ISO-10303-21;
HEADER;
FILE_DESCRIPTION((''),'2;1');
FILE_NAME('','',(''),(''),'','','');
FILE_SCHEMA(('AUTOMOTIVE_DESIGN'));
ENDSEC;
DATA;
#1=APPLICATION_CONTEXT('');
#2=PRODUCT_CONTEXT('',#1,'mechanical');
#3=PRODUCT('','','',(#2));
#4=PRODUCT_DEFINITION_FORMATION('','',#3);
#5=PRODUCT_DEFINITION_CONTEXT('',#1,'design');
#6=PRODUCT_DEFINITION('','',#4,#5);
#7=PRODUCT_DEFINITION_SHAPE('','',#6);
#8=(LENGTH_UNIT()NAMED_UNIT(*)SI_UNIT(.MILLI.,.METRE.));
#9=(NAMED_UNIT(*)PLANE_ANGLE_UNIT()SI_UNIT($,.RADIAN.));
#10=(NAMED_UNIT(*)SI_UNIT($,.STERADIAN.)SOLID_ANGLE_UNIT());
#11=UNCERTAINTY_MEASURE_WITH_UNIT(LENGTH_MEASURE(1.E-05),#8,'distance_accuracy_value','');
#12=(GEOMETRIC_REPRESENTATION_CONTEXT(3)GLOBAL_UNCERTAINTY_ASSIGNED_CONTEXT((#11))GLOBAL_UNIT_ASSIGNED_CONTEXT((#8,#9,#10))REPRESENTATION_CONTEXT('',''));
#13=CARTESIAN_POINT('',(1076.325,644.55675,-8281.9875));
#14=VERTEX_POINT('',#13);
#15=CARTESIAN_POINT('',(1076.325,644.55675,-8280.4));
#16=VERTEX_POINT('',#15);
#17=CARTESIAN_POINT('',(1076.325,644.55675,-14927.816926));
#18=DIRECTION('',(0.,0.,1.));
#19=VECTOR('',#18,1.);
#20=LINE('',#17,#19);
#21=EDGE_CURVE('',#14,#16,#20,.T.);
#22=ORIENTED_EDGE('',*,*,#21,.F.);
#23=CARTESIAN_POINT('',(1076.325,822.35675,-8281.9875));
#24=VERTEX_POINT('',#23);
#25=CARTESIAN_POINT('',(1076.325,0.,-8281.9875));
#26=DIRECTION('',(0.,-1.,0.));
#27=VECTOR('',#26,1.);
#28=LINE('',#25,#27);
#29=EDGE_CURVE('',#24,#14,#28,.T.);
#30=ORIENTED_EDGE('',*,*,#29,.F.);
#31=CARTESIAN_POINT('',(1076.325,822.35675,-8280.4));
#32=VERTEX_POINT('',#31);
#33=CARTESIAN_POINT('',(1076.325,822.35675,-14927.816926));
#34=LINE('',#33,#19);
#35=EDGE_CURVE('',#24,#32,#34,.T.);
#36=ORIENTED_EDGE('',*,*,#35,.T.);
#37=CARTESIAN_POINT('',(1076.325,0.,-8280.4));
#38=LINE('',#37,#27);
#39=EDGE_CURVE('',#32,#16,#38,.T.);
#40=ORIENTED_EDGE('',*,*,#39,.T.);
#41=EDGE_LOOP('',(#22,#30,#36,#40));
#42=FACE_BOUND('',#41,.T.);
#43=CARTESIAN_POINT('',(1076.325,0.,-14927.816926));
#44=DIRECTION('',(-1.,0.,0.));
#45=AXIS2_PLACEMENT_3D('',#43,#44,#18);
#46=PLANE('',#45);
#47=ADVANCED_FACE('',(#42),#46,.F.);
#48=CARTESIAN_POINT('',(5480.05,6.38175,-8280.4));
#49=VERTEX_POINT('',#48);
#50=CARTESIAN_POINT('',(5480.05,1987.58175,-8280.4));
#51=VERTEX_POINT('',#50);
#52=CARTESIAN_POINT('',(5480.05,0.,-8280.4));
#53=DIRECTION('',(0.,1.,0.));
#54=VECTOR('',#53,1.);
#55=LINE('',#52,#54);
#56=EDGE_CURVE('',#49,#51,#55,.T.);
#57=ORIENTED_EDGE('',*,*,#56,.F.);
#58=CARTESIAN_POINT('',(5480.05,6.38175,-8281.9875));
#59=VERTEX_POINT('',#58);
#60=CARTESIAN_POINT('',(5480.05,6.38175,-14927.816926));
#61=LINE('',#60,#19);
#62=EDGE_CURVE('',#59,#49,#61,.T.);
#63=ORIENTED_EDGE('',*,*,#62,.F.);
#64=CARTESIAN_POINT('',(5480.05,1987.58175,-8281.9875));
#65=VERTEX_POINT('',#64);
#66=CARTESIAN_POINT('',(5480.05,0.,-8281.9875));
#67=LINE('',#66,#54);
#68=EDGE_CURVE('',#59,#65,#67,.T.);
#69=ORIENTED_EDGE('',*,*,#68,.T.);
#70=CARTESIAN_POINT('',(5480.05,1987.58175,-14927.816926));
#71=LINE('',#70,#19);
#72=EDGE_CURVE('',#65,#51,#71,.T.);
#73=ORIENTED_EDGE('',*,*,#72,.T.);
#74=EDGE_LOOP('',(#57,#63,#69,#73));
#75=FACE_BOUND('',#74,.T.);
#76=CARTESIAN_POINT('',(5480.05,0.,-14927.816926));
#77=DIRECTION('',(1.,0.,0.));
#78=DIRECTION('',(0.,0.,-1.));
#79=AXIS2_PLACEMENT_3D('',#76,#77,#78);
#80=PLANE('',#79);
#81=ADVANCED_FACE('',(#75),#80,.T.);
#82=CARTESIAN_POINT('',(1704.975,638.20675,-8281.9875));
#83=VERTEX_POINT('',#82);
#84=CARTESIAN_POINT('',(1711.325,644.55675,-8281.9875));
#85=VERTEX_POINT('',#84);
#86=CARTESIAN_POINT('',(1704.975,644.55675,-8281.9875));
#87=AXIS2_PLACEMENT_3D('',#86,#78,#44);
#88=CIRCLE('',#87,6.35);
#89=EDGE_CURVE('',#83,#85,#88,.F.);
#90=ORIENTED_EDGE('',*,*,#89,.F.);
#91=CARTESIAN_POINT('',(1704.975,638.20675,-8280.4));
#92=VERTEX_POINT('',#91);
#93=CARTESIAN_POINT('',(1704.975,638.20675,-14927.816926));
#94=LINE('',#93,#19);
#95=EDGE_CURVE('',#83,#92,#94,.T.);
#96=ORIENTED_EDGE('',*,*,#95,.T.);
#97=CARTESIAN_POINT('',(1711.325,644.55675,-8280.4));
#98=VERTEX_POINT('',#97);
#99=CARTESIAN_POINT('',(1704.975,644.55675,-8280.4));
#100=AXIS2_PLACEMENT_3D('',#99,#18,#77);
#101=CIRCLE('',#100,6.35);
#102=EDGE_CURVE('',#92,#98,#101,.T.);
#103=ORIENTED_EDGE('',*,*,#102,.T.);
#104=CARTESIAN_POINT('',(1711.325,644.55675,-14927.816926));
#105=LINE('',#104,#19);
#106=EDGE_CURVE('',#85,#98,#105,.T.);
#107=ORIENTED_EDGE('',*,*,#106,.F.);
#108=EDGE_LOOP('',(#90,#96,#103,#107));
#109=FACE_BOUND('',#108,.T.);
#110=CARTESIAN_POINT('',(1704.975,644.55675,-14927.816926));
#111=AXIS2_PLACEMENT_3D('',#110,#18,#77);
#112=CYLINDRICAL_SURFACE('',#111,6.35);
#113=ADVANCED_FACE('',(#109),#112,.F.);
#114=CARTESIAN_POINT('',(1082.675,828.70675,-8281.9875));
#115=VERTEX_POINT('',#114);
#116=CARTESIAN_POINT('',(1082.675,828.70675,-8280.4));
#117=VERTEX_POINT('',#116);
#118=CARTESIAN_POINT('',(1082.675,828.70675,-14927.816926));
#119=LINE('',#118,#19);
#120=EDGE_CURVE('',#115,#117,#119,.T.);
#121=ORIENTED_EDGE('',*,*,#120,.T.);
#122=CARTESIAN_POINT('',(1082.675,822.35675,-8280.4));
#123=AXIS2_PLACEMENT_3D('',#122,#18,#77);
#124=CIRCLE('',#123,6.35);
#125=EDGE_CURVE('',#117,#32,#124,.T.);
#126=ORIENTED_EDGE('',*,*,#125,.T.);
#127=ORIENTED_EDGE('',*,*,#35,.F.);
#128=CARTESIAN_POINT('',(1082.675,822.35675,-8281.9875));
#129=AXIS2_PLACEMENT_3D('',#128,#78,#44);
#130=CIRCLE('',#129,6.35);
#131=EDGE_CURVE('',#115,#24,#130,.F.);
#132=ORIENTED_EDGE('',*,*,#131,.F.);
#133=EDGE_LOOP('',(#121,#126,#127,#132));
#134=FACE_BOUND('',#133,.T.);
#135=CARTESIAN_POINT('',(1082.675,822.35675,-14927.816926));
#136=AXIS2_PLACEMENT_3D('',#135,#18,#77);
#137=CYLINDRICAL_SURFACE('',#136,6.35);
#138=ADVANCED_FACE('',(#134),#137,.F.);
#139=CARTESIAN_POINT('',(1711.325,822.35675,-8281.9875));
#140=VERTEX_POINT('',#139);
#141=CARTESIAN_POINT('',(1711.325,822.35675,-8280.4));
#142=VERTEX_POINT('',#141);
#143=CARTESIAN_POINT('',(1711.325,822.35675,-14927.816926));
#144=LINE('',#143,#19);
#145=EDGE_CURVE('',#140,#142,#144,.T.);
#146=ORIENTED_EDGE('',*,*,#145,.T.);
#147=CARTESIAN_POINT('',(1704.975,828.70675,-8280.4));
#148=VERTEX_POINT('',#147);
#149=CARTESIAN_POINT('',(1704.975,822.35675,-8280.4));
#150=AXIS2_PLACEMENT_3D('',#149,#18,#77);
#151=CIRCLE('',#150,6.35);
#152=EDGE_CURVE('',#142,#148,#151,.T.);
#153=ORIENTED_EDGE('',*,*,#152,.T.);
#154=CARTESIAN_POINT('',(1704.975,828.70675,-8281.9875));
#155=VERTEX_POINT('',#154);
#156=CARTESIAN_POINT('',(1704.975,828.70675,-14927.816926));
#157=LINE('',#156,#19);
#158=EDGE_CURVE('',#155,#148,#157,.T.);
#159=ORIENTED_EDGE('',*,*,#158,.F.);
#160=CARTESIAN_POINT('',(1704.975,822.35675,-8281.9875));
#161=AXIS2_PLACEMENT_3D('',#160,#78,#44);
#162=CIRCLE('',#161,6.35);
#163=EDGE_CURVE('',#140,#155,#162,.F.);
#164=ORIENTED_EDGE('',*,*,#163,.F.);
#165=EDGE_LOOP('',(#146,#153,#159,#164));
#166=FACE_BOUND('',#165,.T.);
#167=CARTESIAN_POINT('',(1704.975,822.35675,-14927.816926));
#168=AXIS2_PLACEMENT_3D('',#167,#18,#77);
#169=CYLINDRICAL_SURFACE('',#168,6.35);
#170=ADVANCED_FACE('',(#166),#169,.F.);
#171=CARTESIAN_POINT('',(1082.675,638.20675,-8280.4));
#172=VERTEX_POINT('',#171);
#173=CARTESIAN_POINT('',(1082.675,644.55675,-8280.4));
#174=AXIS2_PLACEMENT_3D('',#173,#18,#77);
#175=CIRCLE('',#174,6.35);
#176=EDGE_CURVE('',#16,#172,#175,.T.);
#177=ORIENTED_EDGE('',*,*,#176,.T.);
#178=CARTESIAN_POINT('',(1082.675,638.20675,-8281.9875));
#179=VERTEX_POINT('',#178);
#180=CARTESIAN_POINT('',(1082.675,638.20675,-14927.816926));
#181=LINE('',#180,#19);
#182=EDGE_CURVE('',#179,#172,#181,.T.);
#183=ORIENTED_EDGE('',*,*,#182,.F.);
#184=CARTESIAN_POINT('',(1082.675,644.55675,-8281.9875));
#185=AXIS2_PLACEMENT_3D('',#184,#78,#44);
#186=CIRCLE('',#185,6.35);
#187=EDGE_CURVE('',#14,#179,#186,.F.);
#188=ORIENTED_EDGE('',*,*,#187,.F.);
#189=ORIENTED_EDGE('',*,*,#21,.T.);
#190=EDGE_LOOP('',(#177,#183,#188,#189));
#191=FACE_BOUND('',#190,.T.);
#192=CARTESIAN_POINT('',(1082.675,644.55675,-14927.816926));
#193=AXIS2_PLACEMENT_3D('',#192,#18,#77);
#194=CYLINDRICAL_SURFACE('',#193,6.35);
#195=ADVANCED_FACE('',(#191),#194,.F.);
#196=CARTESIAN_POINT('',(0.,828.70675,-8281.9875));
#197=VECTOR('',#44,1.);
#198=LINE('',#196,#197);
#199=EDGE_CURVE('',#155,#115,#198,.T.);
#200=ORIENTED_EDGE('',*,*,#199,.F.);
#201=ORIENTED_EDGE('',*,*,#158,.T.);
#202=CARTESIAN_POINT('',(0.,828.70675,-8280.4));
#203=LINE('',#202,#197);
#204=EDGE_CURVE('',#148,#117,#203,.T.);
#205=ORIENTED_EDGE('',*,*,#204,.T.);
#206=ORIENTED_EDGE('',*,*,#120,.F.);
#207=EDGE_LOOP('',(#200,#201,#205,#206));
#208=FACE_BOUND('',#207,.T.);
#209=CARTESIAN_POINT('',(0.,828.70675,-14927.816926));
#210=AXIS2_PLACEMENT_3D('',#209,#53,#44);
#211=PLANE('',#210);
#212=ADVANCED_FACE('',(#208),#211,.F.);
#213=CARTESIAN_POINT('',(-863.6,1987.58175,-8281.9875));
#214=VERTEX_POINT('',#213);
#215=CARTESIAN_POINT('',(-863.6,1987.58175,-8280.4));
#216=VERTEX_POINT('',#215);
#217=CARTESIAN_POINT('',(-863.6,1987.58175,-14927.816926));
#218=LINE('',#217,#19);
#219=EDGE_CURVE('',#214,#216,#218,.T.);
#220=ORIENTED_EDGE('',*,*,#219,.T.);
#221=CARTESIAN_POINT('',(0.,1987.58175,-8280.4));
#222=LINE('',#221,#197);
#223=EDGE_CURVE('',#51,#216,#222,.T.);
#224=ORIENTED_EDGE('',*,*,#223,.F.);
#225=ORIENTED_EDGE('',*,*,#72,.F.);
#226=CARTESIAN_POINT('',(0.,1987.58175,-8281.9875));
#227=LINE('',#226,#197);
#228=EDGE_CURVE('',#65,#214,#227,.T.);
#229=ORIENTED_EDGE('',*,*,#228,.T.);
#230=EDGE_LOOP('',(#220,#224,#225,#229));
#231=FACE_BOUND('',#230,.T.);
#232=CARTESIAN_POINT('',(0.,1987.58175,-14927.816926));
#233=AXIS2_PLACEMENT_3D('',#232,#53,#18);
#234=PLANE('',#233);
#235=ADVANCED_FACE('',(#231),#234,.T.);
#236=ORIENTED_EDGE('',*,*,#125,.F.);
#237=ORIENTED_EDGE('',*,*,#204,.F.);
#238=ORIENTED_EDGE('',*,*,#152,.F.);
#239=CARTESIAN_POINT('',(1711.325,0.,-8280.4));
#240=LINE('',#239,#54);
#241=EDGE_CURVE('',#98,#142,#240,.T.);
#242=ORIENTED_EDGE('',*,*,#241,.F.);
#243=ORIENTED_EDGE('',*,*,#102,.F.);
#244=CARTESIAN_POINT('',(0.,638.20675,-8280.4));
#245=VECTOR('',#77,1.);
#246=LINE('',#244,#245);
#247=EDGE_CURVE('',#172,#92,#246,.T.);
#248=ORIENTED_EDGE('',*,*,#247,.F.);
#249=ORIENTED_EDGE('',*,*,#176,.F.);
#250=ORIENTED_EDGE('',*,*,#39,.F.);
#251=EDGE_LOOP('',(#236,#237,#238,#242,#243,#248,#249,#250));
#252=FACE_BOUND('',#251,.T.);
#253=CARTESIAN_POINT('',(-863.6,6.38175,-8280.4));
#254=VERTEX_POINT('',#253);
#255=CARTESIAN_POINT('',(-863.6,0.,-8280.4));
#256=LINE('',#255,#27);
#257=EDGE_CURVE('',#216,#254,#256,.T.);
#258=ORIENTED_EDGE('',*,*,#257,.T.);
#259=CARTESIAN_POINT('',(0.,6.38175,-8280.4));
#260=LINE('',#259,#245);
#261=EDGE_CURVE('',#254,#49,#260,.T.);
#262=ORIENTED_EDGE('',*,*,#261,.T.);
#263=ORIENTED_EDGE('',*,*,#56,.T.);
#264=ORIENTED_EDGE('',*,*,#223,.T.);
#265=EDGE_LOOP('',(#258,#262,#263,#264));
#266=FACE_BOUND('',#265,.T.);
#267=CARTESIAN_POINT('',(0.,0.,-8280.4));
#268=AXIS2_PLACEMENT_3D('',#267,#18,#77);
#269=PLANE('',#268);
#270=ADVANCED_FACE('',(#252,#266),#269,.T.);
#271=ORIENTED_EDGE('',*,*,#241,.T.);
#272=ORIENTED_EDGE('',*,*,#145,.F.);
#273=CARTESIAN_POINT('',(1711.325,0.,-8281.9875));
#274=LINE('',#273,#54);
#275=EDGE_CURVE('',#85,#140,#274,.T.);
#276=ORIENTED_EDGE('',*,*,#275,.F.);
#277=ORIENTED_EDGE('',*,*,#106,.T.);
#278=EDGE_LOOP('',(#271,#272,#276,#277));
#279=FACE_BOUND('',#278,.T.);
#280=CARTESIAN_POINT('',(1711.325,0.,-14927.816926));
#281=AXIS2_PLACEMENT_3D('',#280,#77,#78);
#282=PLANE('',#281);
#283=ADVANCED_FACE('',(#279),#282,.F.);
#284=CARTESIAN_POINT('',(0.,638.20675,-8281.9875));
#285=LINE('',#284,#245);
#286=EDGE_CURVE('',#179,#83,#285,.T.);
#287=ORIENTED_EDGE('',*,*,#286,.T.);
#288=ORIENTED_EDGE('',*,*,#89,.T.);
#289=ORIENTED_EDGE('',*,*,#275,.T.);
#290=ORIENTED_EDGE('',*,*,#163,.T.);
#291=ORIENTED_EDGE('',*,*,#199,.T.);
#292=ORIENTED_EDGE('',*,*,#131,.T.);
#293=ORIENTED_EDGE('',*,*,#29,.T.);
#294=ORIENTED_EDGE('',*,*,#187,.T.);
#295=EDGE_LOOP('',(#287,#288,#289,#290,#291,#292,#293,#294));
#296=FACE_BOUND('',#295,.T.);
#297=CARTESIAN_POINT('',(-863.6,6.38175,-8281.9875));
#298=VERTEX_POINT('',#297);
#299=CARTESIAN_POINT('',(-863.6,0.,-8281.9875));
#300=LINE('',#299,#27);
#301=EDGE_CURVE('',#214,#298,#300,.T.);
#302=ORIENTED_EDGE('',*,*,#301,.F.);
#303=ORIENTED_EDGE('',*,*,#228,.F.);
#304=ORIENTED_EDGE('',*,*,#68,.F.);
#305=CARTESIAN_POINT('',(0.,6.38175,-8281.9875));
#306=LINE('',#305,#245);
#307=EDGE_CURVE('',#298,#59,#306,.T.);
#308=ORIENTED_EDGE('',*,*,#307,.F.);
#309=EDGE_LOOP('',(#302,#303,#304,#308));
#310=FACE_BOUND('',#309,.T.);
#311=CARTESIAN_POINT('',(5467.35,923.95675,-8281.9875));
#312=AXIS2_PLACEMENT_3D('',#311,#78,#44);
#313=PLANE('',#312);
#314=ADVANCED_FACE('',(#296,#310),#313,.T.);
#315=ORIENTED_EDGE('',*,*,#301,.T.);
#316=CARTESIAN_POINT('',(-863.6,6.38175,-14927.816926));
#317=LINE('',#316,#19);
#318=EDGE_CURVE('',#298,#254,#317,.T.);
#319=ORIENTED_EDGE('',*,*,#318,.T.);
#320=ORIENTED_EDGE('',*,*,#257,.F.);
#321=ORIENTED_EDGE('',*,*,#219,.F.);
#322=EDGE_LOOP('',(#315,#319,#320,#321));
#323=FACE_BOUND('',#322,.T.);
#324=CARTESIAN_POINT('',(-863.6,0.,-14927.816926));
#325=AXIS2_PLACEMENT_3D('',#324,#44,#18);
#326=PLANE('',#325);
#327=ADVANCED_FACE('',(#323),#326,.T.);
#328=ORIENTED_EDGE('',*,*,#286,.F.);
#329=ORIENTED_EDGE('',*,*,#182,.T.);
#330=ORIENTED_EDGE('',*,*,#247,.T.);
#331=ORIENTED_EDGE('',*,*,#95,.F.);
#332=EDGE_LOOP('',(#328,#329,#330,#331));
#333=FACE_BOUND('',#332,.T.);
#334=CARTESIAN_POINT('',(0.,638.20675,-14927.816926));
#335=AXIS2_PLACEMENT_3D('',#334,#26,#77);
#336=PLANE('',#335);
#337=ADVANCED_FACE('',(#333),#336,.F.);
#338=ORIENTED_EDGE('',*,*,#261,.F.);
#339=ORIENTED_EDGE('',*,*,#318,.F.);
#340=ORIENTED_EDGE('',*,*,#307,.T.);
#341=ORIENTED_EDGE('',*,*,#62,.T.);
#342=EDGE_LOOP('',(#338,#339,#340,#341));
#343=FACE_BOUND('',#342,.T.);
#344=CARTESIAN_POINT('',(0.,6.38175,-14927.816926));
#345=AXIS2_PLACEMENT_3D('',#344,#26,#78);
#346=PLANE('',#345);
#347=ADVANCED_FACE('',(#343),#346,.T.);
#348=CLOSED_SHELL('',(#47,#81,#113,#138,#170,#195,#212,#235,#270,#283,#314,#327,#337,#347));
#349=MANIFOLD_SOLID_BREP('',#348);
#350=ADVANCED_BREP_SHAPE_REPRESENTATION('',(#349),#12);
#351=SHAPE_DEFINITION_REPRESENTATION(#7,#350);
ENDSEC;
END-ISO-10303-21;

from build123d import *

# Parameters (mm, degrees)
SKETCH2_W           = 6343.65
SKETCH2_H           = 1981.2
BOSS_EXTRUDE1_DEPTH = 1.5875


with BuildPart() as part:
    # Sketch2 → Boss-Extrude1 (new body)
    with BuildSketch(Plane.XY.offset(-8280.4)):
        with Locations((2308.225, 996.98175)):
            Rectangle(SKETCH2_W, SKETCH2_H)
        with BuildLine():
            Line((1711.325, 644.55675), (1711.325, 822.35675))
            ThreePointArc((1711.325, 822.35675), (1709.465128061, 826.846878061), (1704.975, 828.70675))
            Line((1704.975, 828.70675), (1082.675, 828.70675))
            ThreePointArc((1082.675, 828.70675), (1078.184871939, 826.846878061), (1076.325, 822.35675))
            Line((1076.325, 822.35675), (1076.325, 644.55675))
            ThreePointArc((1076.325, 644.55675), (1078.184871939, 640.066621939), (1082.675, 638.20675))
            Line((1082.675, 638.20675), (1704.975, 638.20675))
            ThreePointArc((1704.975, 638.20675), (1709.465128061, 640.066621939), (1711.325, 644.55675))
        make_face(mode=Mode.SUBTRACT)
    extrude(amount=-BOSS_EXTRUDE1_DEPTH)


solid = part.part
